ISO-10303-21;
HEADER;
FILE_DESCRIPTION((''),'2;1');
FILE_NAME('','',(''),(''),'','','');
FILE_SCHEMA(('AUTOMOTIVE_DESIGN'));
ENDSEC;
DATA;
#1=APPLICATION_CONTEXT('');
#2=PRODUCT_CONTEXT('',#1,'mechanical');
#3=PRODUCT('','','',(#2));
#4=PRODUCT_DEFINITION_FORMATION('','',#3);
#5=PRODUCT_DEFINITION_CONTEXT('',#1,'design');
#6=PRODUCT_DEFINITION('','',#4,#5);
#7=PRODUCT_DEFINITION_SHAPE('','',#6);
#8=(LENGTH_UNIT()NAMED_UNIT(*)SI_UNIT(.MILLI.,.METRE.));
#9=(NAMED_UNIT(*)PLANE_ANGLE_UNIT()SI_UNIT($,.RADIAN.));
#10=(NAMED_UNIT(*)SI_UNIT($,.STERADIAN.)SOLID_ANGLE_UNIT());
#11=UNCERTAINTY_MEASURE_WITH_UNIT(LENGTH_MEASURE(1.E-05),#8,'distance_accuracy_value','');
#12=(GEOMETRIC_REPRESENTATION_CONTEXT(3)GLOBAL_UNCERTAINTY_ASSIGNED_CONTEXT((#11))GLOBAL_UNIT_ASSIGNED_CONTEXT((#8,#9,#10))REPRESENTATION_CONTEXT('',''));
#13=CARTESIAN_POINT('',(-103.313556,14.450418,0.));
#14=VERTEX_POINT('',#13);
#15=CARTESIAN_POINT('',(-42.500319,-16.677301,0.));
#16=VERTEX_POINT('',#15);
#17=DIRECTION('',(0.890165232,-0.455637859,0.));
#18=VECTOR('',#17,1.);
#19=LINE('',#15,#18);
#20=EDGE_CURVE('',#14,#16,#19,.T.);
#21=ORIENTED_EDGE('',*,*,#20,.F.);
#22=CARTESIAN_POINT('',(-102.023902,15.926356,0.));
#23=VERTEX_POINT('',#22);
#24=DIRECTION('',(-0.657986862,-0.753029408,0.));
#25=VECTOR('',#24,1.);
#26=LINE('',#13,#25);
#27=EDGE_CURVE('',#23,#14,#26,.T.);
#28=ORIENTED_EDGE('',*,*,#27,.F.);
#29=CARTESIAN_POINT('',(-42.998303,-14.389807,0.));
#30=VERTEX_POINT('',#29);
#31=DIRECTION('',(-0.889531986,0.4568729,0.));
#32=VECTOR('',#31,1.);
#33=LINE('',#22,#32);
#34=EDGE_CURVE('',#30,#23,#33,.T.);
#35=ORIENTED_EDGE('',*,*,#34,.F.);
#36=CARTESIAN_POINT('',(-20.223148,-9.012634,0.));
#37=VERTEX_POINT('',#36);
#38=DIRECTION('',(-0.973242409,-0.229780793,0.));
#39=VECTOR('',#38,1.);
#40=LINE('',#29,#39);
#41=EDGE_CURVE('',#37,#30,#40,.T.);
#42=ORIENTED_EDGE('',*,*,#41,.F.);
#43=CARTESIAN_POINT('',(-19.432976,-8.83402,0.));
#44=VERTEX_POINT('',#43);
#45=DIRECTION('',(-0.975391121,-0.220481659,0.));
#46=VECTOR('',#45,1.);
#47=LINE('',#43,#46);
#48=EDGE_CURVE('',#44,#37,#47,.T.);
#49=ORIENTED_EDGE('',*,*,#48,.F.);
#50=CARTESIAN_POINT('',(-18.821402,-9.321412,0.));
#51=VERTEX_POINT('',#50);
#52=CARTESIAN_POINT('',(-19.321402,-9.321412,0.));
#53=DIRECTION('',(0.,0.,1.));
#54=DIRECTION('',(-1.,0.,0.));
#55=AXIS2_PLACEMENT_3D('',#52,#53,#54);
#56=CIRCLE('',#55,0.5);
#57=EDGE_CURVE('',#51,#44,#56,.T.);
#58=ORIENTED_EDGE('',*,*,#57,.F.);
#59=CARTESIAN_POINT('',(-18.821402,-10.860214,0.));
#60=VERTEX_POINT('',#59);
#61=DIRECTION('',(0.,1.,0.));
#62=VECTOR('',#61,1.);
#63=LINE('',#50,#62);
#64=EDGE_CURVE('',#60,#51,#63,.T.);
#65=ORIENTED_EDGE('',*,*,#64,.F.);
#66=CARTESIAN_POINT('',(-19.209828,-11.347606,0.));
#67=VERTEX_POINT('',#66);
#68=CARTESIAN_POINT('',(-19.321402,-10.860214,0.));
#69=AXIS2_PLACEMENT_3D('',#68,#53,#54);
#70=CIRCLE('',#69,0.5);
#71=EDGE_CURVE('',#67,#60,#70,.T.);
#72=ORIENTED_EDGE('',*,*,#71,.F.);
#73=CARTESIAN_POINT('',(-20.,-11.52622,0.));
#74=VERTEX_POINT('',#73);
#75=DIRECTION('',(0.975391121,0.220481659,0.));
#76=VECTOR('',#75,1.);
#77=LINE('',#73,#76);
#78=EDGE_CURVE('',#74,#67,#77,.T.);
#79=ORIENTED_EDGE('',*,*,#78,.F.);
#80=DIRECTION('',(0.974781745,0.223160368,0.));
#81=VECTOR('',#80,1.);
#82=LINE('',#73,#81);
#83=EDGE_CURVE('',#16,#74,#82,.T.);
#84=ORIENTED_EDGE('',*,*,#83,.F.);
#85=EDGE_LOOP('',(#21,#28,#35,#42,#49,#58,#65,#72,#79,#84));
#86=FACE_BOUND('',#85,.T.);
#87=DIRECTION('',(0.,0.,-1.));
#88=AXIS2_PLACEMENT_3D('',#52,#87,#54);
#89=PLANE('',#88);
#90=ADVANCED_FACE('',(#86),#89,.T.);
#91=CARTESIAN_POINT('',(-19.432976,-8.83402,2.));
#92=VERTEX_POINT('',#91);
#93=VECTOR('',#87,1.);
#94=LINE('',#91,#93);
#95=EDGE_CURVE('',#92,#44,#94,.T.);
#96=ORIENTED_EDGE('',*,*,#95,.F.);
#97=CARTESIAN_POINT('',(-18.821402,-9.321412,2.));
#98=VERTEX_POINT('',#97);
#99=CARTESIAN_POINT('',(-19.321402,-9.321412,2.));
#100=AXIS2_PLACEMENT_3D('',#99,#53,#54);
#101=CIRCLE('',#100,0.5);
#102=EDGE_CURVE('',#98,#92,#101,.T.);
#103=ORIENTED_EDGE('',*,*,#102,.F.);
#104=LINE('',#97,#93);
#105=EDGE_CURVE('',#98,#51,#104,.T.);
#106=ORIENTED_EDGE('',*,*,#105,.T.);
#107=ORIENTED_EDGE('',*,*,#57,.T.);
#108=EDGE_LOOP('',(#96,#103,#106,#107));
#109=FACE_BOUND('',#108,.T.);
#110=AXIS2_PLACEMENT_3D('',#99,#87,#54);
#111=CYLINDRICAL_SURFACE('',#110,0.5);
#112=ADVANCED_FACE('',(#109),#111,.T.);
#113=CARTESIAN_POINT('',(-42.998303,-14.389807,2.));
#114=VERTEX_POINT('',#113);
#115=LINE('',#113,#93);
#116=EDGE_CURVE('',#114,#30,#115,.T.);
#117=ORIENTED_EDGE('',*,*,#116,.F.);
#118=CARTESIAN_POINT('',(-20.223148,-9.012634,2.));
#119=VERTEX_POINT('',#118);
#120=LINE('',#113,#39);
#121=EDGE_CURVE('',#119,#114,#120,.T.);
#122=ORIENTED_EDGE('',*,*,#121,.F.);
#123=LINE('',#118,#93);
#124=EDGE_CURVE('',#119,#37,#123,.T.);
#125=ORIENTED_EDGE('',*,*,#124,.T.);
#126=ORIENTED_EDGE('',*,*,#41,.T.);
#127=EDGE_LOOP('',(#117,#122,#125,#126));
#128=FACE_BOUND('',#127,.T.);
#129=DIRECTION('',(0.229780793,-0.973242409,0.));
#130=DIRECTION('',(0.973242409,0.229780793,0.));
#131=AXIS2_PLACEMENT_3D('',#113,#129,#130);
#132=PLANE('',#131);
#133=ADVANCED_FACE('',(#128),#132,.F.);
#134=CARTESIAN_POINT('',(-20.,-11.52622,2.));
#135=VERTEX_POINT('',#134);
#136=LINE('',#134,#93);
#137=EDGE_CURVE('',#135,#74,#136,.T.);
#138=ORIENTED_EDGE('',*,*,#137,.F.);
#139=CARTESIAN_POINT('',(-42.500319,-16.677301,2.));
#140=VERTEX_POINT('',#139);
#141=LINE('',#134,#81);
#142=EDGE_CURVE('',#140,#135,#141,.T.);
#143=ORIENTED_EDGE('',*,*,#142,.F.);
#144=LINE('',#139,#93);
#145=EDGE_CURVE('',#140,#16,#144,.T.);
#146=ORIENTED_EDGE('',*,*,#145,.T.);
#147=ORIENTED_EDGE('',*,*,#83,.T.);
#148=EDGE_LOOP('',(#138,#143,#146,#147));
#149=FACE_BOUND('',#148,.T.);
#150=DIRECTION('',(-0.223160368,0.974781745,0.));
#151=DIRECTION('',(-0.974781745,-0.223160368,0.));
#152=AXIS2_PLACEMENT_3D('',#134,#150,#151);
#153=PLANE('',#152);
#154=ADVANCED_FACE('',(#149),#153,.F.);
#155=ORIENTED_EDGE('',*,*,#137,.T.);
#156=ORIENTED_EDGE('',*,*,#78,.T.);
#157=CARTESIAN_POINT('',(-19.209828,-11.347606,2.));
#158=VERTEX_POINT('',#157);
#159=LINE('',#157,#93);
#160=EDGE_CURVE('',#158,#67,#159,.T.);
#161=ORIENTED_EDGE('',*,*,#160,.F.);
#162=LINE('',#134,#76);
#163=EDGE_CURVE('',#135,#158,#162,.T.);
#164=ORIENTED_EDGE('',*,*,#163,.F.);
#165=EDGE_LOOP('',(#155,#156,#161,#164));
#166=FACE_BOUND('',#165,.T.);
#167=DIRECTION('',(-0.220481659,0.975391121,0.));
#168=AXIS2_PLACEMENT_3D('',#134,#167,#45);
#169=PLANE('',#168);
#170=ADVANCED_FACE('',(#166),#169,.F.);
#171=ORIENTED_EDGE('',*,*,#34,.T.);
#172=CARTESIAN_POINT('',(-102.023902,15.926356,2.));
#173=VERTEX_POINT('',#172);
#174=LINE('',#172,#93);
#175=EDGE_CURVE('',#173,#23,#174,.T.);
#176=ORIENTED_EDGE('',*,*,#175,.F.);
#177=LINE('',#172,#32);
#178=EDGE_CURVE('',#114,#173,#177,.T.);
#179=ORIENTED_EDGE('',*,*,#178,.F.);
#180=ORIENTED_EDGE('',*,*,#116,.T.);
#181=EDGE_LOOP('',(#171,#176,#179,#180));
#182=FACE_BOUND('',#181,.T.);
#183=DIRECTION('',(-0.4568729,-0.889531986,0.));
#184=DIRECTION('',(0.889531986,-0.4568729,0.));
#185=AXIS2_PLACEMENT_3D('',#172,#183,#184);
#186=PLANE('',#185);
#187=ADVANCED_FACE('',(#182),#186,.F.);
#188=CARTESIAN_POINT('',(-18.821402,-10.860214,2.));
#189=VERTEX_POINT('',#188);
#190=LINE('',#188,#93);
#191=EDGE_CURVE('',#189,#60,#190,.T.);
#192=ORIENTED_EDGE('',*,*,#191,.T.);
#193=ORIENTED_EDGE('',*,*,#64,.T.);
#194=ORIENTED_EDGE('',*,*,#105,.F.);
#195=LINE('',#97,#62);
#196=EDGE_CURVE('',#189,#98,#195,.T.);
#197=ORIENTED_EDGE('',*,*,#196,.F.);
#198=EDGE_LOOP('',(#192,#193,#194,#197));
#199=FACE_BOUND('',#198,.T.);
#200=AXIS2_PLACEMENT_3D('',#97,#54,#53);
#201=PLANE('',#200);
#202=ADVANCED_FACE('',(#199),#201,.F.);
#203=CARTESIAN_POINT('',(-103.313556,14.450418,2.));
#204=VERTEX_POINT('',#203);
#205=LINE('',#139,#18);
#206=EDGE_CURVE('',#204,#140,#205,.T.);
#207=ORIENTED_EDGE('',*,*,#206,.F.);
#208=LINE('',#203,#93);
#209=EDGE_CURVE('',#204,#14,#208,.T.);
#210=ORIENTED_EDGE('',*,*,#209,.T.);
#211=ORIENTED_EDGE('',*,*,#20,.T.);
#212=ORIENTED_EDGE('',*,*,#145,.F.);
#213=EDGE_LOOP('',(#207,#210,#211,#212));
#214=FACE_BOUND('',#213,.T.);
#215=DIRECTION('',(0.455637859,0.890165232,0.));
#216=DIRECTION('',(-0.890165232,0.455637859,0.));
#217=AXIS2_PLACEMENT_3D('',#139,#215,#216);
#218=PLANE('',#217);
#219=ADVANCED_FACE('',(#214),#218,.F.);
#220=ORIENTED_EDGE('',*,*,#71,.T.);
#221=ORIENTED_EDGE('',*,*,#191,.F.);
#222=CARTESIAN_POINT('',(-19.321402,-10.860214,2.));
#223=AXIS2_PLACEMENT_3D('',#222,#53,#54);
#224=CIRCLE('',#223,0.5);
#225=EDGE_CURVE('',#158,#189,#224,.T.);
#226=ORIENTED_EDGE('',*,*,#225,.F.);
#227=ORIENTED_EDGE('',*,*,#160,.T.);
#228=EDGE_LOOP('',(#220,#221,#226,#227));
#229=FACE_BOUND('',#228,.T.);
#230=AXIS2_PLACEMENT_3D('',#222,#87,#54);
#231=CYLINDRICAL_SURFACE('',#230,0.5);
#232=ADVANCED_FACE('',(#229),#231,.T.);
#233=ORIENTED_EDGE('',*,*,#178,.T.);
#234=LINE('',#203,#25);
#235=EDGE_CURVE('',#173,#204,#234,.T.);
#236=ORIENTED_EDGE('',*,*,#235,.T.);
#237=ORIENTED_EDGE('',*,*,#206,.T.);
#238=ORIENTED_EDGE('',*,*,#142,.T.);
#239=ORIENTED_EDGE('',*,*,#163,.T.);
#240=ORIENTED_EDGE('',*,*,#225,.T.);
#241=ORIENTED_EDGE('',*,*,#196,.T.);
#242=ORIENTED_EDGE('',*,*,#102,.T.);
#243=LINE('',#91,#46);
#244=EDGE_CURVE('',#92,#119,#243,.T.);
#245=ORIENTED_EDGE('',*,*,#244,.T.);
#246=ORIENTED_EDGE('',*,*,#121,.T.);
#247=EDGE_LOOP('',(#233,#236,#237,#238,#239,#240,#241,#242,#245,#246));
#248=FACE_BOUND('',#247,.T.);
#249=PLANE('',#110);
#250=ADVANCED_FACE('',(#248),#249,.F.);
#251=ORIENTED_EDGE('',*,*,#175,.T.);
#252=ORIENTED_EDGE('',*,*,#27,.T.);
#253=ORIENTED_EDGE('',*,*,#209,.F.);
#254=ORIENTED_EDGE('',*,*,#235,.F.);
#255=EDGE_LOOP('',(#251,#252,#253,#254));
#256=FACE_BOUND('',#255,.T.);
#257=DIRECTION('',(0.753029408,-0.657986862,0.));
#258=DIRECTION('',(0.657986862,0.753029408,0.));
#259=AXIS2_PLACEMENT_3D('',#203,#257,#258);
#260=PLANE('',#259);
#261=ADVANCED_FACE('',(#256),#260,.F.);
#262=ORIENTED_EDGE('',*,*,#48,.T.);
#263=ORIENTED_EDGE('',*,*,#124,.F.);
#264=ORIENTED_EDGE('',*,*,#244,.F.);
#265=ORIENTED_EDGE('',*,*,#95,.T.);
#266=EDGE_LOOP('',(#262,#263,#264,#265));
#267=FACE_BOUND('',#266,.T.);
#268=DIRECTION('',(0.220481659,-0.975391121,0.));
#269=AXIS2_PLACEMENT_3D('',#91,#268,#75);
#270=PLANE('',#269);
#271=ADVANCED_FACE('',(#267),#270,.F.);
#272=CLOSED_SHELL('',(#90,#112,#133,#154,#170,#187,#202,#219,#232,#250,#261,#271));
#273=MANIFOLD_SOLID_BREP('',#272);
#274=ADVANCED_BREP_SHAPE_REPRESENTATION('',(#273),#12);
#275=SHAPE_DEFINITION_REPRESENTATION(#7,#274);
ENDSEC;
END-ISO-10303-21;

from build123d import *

# Parameters (mm, degrees)
EXTRUDE_1_DEPTH = 2


with BuildPart() as part:
    # 스케치1 → 보스-돌출1 (new body)
    with BuildSketch(Plane.XY):
        with BuildLine():
            Line((-103.31355612, 14.450417953), (-102.023901871, 15.926355594))
            Line((-102.023901871, 15.926355594), (-42.998303114, -14.389807184))
            Line((-42.998303114, -14.389807184), (-20.223148332, -9.012633862))
            Line((-20.223148332, -9.012633862), (-19.43297603, -8.834019872))
            ThreePointArc((-19.43297603, -8.834019872), (-19.009782772, -8.930396085), (-18.821401864, -9.321412122))
            Line((-18.821401864, -9.321412122), (-18.821401864, -10.860213775))
            ThreePointArc((-18.821401864, -10.860213775), (-18.930385827, -11.171832867), (-19.209827698, -11.347606025))
            Line((-19.209827698, -11.347606025), (-20, -11.526220015))
            Line((-20, -11.526220015), (-42.500319357, -16.677300826))
            Line((-42.500319357, -16.677300826), (-103.31355612, 14.450417953))
        make_face()
    extrude(amount=EXTRUDE_1_DEPTH)


solid = part.part
